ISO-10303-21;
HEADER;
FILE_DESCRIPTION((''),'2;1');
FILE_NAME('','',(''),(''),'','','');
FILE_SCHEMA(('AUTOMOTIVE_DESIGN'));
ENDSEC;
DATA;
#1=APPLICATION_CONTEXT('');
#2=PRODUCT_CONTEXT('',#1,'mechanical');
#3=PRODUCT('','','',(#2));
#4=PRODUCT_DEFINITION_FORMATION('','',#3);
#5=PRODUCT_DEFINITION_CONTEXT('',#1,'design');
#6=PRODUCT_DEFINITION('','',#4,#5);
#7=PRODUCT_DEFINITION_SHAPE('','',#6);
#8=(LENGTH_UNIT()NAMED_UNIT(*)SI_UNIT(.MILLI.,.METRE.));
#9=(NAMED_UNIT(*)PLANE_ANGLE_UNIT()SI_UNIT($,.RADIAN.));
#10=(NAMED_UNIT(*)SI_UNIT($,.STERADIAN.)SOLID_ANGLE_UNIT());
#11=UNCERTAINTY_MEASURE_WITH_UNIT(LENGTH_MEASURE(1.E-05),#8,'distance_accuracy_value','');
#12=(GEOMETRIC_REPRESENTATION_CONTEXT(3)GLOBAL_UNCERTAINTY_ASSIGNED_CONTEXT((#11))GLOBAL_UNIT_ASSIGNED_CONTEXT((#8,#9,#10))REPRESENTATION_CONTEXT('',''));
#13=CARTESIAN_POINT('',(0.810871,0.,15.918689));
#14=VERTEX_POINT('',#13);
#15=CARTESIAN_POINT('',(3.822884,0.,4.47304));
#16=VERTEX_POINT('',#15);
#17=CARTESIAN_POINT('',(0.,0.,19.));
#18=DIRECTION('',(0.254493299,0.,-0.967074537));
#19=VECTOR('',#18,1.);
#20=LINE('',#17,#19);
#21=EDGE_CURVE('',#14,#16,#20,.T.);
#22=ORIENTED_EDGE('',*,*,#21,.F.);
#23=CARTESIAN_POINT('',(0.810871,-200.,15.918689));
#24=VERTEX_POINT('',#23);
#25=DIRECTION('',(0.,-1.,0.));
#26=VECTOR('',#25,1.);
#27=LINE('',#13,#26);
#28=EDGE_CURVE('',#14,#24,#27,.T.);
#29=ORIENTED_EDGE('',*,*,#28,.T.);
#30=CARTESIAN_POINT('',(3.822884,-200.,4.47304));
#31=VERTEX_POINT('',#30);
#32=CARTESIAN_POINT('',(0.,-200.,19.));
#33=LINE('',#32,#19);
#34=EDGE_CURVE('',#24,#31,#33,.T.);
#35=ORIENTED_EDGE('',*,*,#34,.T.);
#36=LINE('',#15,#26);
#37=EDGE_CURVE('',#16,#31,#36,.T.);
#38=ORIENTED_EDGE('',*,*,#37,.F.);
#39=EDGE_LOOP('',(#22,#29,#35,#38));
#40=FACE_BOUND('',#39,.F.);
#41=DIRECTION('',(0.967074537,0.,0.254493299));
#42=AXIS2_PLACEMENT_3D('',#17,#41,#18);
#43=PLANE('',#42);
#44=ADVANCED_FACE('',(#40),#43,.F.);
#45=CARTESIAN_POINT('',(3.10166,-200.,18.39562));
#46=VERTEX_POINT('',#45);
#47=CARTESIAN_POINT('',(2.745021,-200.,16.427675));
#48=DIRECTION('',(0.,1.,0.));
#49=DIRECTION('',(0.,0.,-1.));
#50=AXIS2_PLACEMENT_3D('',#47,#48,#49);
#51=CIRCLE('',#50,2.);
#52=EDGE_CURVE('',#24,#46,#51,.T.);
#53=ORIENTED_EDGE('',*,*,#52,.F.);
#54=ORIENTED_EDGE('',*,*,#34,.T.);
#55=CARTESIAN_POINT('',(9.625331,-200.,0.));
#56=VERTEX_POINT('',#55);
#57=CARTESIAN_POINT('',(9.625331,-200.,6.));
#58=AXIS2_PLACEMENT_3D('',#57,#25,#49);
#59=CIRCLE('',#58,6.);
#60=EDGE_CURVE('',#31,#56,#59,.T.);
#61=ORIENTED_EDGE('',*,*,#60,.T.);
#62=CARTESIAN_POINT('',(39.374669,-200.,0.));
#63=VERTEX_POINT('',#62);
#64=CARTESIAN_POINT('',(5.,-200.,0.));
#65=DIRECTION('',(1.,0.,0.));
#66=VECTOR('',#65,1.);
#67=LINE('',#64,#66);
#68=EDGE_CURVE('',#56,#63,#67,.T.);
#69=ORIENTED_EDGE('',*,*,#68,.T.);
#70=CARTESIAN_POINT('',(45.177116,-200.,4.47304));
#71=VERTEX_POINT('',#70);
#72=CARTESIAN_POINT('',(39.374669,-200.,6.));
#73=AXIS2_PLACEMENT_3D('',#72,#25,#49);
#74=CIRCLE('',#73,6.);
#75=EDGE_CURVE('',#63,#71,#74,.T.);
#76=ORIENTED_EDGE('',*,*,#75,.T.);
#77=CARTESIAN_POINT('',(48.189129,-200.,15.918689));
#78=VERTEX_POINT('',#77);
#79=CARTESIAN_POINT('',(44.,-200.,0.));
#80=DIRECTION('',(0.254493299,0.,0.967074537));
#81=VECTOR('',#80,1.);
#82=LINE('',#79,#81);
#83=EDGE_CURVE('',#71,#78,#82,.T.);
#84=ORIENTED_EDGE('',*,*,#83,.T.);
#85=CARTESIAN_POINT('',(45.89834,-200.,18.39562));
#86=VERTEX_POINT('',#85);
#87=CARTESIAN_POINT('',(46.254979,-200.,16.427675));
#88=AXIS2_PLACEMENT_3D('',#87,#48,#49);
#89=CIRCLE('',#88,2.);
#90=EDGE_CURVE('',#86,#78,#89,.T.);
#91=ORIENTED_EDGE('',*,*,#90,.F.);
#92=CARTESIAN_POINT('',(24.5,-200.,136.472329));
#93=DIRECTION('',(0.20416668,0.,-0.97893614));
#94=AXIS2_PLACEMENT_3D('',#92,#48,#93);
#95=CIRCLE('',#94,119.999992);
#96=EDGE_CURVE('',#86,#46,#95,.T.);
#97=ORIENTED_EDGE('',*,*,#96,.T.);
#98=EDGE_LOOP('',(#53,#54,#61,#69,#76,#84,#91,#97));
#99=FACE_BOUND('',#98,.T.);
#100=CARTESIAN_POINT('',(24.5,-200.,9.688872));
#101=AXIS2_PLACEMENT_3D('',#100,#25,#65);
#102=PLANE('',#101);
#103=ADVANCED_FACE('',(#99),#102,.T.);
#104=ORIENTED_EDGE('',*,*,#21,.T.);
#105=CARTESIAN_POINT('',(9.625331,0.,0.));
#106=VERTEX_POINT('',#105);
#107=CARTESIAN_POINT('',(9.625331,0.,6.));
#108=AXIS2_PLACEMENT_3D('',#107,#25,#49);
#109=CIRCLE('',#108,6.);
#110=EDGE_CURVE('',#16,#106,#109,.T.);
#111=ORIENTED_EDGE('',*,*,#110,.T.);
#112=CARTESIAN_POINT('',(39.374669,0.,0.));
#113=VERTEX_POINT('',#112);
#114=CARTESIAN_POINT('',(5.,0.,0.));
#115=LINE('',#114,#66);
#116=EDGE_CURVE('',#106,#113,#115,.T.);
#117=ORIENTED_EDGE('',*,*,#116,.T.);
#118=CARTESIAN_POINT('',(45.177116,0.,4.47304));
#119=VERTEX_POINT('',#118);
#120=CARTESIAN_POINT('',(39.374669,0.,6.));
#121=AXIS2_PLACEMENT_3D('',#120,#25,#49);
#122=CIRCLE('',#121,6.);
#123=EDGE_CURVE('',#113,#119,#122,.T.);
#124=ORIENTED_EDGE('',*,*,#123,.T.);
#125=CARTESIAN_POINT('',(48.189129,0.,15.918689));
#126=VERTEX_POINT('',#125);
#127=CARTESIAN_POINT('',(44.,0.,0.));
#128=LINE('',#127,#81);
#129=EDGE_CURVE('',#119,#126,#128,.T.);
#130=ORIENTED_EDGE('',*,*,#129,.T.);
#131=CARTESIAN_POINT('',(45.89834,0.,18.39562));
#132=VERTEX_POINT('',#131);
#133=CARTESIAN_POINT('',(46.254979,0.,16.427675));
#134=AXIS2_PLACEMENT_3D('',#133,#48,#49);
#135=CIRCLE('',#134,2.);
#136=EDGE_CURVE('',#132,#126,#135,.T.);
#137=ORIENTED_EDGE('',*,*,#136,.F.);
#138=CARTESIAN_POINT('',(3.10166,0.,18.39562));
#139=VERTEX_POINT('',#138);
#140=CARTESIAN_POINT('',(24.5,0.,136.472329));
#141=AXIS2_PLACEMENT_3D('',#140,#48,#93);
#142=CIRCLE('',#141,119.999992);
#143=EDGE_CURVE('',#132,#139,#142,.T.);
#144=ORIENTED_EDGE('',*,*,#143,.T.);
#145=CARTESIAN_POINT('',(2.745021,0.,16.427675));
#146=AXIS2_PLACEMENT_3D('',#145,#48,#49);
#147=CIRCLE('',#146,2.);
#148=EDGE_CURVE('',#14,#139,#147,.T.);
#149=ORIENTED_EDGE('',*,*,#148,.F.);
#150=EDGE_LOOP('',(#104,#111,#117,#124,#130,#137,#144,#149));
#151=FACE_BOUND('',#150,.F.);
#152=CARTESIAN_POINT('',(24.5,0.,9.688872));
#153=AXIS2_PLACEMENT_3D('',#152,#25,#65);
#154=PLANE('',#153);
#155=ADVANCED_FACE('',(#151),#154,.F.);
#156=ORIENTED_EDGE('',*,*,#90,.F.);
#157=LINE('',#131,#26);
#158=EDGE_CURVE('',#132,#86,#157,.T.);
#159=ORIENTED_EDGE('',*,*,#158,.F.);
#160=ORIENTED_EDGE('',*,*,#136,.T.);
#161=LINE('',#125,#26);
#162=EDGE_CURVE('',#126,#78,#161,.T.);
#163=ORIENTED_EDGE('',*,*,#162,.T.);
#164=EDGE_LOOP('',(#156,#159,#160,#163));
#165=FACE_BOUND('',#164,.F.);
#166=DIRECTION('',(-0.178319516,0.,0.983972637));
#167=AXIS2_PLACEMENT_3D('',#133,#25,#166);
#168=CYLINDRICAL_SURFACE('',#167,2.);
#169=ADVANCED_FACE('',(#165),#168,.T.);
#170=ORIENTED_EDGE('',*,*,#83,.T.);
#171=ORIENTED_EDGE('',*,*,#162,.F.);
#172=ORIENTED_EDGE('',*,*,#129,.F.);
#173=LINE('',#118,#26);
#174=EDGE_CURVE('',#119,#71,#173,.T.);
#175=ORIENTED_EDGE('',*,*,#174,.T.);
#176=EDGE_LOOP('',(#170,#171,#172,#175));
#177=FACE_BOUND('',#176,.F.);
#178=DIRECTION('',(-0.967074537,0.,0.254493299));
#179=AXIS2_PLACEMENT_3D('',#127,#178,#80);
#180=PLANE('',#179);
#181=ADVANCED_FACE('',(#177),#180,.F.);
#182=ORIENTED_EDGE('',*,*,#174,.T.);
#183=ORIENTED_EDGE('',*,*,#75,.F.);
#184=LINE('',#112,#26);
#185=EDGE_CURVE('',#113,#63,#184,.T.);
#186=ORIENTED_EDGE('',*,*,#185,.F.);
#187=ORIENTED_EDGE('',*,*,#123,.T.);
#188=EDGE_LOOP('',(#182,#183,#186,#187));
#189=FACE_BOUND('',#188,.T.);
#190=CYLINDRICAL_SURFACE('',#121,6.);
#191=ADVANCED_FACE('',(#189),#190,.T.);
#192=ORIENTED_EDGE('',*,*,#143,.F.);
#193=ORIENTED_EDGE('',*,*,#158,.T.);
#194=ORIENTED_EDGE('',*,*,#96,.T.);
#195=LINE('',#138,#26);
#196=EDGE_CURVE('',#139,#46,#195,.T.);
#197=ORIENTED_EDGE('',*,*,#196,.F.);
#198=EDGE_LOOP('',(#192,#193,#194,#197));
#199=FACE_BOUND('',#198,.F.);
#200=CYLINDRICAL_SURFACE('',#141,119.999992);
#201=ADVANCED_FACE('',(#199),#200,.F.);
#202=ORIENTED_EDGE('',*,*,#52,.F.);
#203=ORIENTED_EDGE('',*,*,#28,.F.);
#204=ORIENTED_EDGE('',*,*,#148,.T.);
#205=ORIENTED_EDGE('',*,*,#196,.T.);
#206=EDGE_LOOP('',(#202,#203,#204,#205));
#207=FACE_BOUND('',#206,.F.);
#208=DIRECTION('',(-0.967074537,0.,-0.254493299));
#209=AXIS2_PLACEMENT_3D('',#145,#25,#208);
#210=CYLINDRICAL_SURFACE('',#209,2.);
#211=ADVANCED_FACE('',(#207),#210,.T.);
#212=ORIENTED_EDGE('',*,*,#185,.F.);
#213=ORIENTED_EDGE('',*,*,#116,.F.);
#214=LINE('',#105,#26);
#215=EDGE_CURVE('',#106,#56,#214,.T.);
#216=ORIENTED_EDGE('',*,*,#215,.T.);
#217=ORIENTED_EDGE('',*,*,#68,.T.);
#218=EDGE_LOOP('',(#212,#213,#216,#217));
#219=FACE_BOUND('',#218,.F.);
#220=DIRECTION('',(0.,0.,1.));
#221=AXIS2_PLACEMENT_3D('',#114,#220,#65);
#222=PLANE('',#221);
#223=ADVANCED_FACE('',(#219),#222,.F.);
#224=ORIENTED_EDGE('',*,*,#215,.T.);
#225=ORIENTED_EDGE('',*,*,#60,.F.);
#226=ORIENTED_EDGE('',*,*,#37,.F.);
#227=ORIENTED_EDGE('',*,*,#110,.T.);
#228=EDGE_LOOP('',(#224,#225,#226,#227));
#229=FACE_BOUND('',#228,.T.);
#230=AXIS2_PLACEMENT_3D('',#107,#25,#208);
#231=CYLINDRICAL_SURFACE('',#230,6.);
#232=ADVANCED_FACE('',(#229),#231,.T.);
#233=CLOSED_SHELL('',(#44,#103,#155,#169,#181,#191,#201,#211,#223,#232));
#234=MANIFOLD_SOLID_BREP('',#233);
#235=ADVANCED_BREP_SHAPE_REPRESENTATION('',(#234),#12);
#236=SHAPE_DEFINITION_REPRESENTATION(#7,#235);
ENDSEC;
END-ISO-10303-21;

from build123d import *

# Parameters (mm, degrees)
F1_DEPTH = 200
F2_R     = 6
F3_R     = 2


with BuildPart() as f1:
    # F0 (on Front) → F1 (new body)
    with BuildSketch(Plane.XZ):
        with BuildLine():
            Line((0, 19), (5, 0))
            Line((5, 0), (44, 0))
            Line((44, 0), (49, 19))
            ThreePointArc((49, 19), (24.5, 16.472337), (0, 19))
        make_face()
    extrude(amount=F1_DEPTH)

    # F2
    f2_edges = [f1.edges().sort_by_distance(p)[0] for p in [
        (5, -100, 0),
        (44, -100, 0),
    ]]
    fillet(f2_edges, radius=F2_R)

    # F3
    f3_edges = [f1.edges().sort_by_distance(p)[0] for p in [
        (49, -100, 19),
        (0, -100, 19),
    ]]
    fillet(f3_edges, radius=F3_R)


solid = f1.part
